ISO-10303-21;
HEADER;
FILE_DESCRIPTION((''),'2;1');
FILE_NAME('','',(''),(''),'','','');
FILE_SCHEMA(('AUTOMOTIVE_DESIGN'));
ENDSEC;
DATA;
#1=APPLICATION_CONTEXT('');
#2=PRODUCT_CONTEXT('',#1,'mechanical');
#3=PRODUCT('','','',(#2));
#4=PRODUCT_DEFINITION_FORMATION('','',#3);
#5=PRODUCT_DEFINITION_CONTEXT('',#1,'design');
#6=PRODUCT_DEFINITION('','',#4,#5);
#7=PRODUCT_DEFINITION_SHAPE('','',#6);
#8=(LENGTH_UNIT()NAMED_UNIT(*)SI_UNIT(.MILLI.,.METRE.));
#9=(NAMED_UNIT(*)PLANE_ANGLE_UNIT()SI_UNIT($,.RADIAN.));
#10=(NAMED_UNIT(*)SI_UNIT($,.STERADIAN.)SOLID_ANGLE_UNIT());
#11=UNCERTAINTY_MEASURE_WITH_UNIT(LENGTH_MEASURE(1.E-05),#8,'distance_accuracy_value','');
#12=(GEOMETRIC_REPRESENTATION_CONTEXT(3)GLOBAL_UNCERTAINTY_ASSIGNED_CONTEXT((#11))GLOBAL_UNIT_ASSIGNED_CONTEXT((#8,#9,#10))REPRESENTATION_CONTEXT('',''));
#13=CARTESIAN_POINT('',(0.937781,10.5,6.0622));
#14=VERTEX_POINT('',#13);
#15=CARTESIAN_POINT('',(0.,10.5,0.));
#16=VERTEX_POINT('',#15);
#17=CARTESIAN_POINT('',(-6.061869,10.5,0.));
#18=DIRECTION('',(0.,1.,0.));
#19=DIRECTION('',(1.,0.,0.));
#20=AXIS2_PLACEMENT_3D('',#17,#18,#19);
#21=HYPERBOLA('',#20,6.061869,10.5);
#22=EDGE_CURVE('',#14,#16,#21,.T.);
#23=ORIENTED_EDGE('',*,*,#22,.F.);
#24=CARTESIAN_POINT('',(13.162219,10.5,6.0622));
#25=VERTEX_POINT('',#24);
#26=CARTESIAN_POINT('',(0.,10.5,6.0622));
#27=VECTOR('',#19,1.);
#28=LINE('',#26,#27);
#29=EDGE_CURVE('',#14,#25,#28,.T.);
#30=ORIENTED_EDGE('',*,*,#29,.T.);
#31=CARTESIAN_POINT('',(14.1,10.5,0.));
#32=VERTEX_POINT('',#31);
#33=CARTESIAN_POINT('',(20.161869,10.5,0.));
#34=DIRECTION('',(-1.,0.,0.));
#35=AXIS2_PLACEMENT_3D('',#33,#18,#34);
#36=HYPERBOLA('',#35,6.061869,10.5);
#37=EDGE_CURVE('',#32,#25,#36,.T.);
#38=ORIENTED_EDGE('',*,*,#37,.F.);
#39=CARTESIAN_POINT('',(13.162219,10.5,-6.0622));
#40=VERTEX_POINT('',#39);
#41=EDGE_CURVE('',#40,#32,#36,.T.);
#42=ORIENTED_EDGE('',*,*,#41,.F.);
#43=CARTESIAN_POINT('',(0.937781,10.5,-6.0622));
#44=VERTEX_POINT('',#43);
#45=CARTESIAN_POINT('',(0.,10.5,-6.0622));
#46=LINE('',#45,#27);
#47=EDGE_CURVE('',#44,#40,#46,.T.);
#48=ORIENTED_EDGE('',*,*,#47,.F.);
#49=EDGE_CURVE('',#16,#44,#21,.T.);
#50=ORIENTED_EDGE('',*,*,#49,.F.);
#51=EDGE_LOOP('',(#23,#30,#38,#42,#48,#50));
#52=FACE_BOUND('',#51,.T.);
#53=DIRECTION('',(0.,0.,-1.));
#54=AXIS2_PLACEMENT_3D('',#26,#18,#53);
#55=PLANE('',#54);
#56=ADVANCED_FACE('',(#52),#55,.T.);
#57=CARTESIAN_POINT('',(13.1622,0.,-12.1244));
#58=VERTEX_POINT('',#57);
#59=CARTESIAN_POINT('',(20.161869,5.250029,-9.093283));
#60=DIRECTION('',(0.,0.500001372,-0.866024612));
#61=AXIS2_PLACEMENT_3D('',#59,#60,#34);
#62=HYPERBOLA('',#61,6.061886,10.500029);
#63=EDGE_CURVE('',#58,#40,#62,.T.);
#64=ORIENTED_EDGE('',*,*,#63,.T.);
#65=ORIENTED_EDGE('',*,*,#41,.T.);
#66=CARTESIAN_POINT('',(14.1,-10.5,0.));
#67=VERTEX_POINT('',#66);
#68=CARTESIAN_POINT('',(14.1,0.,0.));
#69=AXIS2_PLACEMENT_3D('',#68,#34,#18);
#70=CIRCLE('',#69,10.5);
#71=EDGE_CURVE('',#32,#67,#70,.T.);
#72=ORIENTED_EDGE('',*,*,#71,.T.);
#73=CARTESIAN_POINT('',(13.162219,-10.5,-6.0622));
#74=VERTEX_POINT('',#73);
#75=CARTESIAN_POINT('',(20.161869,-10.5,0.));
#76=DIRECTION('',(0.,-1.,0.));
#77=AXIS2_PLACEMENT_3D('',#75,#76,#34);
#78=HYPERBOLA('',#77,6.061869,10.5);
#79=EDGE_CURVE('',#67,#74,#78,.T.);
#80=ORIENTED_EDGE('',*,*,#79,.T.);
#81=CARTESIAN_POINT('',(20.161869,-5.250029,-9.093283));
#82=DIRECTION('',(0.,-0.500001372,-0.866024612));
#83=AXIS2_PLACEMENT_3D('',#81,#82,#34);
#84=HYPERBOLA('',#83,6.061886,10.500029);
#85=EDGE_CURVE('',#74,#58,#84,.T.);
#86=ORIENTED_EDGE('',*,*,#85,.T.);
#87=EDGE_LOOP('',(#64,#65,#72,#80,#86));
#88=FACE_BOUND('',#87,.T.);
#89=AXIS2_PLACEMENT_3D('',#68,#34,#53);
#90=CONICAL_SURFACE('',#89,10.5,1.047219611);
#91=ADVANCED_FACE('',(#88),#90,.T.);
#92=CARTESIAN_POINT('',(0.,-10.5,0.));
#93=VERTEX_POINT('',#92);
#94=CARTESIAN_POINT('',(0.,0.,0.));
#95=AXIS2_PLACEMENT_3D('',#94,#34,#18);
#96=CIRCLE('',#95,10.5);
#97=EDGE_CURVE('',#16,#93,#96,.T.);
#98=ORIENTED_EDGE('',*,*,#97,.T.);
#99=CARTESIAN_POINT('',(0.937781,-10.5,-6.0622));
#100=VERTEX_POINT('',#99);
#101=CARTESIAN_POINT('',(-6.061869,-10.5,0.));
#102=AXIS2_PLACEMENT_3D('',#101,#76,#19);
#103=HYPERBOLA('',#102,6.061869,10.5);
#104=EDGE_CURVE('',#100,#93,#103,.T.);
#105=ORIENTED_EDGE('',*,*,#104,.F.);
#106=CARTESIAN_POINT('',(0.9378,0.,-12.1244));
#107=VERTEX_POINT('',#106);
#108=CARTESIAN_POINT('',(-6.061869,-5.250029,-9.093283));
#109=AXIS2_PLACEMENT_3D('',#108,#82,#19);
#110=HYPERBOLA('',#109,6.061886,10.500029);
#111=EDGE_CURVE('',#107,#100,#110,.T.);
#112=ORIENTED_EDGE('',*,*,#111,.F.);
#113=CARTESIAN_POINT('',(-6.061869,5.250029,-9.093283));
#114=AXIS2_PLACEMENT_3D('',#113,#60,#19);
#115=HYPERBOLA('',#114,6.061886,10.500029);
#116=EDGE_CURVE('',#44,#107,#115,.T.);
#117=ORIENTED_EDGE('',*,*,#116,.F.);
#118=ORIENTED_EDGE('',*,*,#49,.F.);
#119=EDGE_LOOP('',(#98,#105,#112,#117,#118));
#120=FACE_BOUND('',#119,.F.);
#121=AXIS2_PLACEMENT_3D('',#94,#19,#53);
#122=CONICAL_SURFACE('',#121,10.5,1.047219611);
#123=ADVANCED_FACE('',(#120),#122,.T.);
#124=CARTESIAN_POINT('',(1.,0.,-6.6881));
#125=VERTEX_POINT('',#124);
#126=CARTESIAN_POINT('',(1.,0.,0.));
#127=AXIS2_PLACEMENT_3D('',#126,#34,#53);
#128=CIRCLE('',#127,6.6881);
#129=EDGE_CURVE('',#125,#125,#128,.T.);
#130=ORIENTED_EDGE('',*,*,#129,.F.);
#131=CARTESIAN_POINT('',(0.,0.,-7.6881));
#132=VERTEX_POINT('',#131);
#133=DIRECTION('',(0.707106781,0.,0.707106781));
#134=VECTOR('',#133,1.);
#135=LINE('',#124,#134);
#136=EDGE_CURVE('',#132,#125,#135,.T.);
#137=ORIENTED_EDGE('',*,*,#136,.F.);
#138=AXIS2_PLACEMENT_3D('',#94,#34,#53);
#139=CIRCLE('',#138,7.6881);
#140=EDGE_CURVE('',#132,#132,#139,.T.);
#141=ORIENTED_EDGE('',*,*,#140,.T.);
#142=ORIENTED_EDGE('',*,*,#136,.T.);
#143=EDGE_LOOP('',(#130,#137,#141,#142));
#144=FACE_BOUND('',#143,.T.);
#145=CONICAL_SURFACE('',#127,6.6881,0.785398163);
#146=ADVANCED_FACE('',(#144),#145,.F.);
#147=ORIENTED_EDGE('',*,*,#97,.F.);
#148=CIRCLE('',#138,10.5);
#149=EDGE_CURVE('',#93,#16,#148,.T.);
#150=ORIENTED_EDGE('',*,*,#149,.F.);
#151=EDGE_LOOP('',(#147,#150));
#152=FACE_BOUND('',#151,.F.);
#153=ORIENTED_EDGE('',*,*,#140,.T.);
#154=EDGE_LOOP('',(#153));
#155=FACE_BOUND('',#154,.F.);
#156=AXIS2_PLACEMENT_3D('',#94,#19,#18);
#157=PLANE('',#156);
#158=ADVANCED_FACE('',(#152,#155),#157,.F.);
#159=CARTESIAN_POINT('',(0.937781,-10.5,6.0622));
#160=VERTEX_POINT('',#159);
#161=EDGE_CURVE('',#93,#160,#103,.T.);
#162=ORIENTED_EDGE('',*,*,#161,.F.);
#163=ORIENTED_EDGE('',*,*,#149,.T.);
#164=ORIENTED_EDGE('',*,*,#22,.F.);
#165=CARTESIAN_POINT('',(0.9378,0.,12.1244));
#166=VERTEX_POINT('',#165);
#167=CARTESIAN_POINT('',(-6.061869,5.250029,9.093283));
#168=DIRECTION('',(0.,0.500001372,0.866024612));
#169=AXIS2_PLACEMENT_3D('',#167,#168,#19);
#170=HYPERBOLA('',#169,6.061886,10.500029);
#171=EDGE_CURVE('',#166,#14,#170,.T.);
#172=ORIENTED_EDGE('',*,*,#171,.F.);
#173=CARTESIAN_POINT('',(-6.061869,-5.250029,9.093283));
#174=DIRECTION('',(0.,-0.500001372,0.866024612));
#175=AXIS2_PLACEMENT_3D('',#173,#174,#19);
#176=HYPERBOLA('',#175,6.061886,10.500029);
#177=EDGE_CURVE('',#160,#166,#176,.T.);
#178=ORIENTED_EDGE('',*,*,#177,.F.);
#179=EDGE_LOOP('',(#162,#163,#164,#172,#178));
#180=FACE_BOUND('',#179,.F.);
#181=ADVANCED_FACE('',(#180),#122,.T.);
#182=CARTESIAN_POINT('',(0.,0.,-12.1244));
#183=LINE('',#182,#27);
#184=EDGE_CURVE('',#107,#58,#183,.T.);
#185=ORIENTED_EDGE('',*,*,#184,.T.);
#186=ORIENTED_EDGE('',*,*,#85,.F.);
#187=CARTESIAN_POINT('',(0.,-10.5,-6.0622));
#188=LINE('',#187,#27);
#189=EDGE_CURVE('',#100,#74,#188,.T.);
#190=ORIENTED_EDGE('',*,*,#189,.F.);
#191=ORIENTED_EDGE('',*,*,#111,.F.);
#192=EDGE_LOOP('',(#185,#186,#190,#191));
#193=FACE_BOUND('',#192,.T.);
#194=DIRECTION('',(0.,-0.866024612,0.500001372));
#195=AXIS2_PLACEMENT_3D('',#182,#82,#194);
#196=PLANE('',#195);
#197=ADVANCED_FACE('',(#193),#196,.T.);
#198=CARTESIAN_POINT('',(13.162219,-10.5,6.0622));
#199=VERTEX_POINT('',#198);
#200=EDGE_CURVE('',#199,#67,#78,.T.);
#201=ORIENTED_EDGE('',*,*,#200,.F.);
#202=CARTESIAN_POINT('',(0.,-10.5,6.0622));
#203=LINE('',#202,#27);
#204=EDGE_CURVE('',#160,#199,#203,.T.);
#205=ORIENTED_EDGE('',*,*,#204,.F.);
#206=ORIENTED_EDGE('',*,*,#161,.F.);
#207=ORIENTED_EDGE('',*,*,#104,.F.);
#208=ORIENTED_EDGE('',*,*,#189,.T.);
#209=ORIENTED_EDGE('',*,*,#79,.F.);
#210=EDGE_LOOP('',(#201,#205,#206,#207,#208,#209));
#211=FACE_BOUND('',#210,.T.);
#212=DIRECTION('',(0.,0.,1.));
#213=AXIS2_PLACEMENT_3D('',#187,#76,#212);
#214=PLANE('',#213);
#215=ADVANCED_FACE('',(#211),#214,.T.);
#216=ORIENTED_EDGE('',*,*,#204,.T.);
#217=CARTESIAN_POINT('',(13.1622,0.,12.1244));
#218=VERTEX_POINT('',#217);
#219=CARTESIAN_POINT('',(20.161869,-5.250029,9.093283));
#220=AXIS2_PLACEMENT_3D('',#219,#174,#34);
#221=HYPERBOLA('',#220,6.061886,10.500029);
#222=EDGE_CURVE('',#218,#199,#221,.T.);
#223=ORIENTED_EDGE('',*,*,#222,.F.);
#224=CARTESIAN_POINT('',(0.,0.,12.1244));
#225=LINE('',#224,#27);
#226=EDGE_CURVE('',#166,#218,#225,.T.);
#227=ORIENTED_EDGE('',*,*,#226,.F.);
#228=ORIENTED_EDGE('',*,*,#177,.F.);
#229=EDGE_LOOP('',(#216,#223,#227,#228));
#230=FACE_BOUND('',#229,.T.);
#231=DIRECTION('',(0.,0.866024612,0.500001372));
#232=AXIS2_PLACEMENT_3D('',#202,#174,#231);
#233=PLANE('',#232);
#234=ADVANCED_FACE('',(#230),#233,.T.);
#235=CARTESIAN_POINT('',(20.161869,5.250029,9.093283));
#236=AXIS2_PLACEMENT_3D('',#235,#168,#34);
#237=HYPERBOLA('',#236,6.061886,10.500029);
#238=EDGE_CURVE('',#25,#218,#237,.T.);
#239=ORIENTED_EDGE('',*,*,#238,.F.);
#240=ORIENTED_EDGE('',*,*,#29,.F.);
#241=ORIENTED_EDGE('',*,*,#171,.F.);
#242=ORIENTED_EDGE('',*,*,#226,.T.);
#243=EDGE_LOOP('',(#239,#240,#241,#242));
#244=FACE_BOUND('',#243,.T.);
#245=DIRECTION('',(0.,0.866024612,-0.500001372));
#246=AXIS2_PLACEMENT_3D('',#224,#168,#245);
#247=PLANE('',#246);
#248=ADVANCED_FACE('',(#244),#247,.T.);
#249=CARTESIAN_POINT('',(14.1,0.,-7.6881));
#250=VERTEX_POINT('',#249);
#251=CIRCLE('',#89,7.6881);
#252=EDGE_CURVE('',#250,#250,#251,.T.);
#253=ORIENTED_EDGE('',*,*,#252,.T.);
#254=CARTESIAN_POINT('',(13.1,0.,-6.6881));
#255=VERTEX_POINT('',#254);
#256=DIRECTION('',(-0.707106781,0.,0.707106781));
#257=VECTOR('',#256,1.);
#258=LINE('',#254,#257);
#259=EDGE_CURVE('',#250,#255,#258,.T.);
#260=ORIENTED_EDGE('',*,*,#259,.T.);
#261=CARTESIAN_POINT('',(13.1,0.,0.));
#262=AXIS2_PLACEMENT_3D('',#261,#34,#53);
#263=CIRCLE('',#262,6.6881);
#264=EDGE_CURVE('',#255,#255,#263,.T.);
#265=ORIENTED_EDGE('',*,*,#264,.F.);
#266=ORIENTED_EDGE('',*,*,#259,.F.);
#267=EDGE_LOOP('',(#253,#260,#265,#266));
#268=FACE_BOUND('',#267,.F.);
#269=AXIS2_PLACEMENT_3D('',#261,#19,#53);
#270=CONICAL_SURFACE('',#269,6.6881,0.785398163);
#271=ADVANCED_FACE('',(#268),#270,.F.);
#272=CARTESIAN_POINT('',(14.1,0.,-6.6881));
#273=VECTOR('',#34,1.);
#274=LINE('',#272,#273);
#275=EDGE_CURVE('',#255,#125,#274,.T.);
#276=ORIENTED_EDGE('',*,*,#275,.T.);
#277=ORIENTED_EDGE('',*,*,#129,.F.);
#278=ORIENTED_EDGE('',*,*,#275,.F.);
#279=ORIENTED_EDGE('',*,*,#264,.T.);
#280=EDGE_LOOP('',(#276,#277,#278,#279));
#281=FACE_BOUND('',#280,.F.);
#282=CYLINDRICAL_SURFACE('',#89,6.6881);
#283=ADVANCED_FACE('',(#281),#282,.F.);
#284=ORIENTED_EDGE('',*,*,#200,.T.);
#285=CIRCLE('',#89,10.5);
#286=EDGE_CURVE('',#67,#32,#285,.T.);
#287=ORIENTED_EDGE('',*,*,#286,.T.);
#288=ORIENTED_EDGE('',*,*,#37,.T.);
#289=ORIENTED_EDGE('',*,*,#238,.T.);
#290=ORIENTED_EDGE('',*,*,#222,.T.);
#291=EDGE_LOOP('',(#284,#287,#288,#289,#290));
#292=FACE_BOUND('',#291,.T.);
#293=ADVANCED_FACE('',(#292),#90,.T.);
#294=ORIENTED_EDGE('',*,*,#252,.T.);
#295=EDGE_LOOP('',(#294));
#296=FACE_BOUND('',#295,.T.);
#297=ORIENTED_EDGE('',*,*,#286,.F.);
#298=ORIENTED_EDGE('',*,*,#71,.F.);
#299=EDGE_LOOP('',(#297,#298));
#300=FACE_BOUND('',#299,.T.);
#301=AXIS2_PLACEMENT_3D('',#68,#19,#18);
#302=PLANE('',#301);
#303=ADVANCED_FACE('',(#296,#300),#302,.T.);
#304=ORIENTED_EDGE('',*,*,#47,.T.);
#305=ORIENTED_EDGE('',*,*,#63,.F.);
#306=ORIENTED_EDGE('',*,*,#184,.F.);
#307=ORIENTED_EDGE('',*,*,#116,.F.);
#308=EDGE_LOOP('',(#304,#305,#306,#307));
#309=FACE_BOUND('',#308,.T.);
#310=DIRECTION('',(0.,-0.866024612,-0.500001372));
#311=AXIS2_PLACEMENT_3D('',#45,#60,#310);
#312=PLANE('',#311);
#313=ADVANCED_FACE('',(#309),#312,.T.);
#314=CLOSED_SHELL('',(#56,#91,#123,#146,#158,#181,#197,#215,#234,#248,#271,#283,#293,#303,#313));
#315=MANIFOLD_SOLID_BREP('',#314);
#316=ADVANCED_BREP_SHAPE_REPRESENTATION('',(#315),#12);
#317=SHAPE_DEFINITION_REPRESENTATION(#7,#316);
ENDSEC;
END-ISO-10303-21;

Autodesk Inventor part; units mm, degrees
sketch "Sketch1" plane through (0, 0, 0) normal (1, 0, 0) x (0, 1, 0)
  line L0 (10.5, 6.0622) -> (10.5, -6.0622)
  line L1 (10.5, -6.0622) -> (0, -12.1244)
  line L2 (0, -12.1244) -> (-10.5, -6.0622)
  line L3 (-10.5, -6.0622) -> (-10.5, 6.0622)
  line L4 (-10.5, 6.0622) -> (0, 12.1244)
  line L5 (0, 12.1244) -> (10.5, 6.0622)
  circle A0 centre (0, 0) radius 10.5 construction
  dimension "d0" = 21
extrude "Extrusion1" add sketch "Sketch1" along normal blind 14.1
sketch "Sketch2" plane through (14.1, 0, 0) normal (1, 0, 0) x (0, 1, 0)
  line L0 (-10.5, 6.0622) -> (0, 12.1244) projected
  line L1 (0, -12.1244) -> (-10.5, -6.0622) projected
  line L2 (-10.5, 6.0622) -> (10.5, -6.0622) construction
  line L3 (-10.5, -6.0622) -> (10.5, 6.0622) construction
  point P0 (0, 0)
hole "Hole1" at (14.1, 0, 0) direction (-1, 0, 0) diameter 13.3762 end through all thread size "M15x1.5" class "6H" standard "ISO Metric profile"
chamfer "Chamfer1" distance 1 angle 45 2 edges at (14.1, 0, 6.6881) (0, 0, 6.6881)
sketch "Sketch3" plane through (0, 0, 0) normal (0, 1, 0) x (-1, 0, 0)
  line L0 (-17.0915, 0) -> (3.8489, 0) projected
  line L1 (-5.7048, 0) -> (0.8574, 0)
  line L2 (-14.1, 0) -> (-14.1, -12.1244)
  line L3 (-14.1, -12.1244) -> (0, -12.1244)
  line L4 (0, -12.1244) -> (0, 0)
  line L5 (-14.1, -6.0622) -> (-14.1, -12.1244) projected
  line L6 (0, -6.0622) -> (0, -12.1244) projected
  line L7 (0, -12.1244) -> (-14.1, -12.1244) projected
  line L8 (-14.1, -10.5) -> (-13.1622, -12.1244)
  line L9 (-14.1, -12.1244) -> (-14.1, -10.5)
  line L10 (-14.1, -12.1244) -> (-13.1622, -12.1244)
  line L11 (0, -10.5) -> (-0.9378, -12.1244)
  line L12 (-0.9378, -12.1244) -> (0, -12.1244)
  line L13 (0, -12.1244) -> (0, -10.5)
  dimension "d32" = 10.5
  dimension "d33" = 30
revolve "Revolution1" cut sketch "Sketch3" angle 360 about axis through (0, 0, 0) along (-1, 0, 0) contours L8 L3 L2 | L4 L3 L11
ref_plane "MSC_PT1" through (14.1, 0, 0) normal (1, 0, 0) x (0, 1, 0)
ref_plane "MSC_PT2" through (0, 0, 0) normal (-1, 0, 0) x (0, -1, 0)
ref_plane "MSC_PF1" through (0, 0, 0) normal (1, 0, 0) x (0, 1, 0)
equation "\"d0\" = Smax"
equation "\"d1\" = Mmax"
equation "\"d10\" = 0.5 * PTC"
equation "\"d32\" = 0.5 * Smax"
equation "\"NND\" = 14"
equation "\"Smax\" = 21"
equation "\"Mmax\" = 14.1"
equation "\"PTC\" = 2"
equation "\"THREADDIA\" = NND"
equation "\"TEMPLATE\" = 1.2345"
properties part number "ANSI B18.2.4.2M - M14x2" material "Steel, Mild"
